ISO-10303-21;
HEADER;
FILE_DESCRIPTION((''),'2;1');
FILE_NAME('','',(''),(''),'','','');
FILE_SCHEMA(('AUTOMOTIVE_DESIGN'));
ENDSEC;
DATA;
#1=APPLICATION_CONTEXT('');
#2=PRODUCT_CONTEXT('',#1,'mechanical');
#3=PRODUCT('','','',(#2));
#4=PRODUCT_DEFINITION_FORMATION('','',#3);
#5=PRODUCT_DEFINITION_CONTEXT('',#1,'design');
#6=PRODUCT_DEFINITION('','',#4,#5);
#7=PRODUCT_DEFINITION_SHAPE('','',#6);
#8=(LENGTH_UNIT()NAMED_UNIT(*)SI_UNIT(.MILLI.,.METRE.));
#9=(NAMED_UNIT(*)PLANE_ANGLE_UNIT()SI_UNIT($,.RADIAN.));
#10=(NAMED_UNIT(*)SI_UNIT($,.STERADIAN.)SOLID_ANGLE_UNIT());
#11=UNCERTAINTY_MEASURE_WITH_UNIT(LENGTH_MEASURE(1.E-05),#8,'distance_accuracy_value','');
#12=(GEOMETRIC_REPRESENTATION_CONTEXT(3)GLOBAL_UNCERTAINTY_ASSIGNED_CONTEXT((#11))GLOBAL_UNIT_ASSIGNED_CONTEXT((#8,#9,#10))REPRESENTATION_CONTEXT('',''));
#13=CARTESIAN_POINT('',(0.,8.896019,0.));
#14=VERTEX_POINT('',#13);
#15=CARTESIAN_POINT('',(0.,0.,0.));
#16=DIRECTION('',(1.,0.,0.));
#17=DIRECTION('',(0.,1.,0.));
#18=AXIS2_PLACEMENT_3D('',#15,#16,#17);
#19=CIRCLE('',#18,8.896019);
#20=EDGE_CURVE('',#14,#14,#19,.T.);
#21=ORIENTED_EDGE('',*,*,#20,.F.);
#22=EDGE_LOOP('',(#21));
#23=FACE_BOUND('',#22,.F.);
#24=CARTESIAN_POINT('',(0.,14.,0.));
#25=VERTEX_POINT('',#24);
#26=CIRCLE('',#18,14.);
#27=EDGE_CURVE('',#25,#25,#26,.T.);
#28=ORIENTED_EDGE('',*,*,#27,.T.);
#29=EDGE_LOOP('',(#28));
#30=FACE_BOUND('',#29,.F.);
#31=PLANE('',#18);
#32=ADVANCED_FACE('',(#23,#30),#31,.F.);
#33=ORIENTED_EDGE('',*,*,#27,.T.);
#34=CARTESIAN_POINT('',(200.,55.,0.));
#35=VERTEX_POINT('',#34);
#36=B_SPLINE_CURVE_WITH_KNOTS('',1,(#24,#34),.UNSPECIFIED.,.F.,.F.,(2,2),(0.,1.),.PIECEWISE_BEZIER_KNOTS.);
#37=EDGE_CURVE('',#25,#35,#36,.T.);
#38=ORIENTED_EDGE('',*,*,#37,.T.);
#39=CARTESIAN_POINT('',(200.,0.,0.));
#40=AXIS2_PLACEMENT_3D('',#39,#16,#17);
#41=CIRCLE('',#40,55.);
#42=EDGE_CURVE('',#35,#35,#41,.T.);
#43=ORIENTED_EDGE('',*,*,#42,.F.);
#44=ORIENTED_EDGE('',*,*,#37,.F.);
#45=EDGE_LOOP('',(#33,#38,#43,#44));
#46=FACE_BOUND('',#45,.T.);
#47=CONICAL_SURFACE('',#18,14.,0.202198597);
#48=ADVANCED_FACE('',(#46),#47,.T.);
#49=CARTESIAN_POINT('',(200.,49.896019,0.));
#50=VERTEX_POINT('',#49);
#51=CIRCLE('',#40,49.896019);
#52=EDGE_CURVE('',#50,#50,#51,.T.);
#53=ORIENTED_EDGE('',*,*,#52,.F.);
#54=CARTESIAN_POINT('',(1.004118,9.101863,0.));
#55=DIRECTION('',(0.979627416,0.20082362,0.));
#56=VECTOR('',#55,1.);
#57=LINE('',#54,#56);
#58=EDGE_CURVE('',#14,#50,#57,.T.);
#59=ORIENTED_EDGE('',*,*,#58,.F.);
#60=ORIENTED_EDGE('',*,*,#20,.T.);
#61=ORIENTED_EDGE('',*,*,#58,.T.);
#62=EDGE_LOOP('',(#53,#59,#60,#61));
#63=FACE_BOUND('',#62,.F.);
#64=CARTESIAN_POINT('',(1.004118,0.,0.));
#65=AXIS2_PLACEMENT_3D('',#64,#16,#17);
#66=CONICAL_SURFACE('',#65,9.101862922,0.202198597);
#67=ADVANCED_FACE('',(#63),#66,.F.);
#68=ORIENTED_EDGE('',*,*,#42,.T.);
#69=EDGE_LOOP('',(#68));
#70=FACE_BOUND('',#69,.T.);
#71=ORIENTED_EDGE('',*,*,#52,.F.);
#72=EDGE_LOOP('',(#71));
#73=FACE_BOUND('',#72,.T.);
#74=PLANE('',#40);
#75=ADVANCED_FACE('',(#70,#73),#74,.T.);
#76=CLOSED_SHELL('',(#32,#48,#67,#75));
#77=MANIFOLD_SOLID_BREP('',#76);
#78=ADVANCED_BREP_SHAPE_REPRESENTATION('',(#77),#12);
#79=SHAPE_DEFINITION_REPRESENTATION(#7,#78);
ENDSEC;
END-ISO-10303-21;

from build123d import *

# Parameters (mm, degrees)
F1_R = 14
F2_R = 55
F4_T = -5


with BuildPart() as f3:
    # F1 (on Right) → F3 section 0
    with BuildSketch(Plane.YZ):
        Circle(F1_R)
    # F2 (on offset) → F3 section 1
    with BuildSketch(Plane.YZ.offset(200)):
        Circle(F2_R)
    loft()

    # F4
    f4_openings = [f3.faces().sort_by_distance(p)[0] for p in [
        (200, 0, 0),
        (0, 0, 0),
    ]]
    offset(amount=F4_T, openings=f4_openings, kind=Kind.INTERSECTION)


solid = f3.part
